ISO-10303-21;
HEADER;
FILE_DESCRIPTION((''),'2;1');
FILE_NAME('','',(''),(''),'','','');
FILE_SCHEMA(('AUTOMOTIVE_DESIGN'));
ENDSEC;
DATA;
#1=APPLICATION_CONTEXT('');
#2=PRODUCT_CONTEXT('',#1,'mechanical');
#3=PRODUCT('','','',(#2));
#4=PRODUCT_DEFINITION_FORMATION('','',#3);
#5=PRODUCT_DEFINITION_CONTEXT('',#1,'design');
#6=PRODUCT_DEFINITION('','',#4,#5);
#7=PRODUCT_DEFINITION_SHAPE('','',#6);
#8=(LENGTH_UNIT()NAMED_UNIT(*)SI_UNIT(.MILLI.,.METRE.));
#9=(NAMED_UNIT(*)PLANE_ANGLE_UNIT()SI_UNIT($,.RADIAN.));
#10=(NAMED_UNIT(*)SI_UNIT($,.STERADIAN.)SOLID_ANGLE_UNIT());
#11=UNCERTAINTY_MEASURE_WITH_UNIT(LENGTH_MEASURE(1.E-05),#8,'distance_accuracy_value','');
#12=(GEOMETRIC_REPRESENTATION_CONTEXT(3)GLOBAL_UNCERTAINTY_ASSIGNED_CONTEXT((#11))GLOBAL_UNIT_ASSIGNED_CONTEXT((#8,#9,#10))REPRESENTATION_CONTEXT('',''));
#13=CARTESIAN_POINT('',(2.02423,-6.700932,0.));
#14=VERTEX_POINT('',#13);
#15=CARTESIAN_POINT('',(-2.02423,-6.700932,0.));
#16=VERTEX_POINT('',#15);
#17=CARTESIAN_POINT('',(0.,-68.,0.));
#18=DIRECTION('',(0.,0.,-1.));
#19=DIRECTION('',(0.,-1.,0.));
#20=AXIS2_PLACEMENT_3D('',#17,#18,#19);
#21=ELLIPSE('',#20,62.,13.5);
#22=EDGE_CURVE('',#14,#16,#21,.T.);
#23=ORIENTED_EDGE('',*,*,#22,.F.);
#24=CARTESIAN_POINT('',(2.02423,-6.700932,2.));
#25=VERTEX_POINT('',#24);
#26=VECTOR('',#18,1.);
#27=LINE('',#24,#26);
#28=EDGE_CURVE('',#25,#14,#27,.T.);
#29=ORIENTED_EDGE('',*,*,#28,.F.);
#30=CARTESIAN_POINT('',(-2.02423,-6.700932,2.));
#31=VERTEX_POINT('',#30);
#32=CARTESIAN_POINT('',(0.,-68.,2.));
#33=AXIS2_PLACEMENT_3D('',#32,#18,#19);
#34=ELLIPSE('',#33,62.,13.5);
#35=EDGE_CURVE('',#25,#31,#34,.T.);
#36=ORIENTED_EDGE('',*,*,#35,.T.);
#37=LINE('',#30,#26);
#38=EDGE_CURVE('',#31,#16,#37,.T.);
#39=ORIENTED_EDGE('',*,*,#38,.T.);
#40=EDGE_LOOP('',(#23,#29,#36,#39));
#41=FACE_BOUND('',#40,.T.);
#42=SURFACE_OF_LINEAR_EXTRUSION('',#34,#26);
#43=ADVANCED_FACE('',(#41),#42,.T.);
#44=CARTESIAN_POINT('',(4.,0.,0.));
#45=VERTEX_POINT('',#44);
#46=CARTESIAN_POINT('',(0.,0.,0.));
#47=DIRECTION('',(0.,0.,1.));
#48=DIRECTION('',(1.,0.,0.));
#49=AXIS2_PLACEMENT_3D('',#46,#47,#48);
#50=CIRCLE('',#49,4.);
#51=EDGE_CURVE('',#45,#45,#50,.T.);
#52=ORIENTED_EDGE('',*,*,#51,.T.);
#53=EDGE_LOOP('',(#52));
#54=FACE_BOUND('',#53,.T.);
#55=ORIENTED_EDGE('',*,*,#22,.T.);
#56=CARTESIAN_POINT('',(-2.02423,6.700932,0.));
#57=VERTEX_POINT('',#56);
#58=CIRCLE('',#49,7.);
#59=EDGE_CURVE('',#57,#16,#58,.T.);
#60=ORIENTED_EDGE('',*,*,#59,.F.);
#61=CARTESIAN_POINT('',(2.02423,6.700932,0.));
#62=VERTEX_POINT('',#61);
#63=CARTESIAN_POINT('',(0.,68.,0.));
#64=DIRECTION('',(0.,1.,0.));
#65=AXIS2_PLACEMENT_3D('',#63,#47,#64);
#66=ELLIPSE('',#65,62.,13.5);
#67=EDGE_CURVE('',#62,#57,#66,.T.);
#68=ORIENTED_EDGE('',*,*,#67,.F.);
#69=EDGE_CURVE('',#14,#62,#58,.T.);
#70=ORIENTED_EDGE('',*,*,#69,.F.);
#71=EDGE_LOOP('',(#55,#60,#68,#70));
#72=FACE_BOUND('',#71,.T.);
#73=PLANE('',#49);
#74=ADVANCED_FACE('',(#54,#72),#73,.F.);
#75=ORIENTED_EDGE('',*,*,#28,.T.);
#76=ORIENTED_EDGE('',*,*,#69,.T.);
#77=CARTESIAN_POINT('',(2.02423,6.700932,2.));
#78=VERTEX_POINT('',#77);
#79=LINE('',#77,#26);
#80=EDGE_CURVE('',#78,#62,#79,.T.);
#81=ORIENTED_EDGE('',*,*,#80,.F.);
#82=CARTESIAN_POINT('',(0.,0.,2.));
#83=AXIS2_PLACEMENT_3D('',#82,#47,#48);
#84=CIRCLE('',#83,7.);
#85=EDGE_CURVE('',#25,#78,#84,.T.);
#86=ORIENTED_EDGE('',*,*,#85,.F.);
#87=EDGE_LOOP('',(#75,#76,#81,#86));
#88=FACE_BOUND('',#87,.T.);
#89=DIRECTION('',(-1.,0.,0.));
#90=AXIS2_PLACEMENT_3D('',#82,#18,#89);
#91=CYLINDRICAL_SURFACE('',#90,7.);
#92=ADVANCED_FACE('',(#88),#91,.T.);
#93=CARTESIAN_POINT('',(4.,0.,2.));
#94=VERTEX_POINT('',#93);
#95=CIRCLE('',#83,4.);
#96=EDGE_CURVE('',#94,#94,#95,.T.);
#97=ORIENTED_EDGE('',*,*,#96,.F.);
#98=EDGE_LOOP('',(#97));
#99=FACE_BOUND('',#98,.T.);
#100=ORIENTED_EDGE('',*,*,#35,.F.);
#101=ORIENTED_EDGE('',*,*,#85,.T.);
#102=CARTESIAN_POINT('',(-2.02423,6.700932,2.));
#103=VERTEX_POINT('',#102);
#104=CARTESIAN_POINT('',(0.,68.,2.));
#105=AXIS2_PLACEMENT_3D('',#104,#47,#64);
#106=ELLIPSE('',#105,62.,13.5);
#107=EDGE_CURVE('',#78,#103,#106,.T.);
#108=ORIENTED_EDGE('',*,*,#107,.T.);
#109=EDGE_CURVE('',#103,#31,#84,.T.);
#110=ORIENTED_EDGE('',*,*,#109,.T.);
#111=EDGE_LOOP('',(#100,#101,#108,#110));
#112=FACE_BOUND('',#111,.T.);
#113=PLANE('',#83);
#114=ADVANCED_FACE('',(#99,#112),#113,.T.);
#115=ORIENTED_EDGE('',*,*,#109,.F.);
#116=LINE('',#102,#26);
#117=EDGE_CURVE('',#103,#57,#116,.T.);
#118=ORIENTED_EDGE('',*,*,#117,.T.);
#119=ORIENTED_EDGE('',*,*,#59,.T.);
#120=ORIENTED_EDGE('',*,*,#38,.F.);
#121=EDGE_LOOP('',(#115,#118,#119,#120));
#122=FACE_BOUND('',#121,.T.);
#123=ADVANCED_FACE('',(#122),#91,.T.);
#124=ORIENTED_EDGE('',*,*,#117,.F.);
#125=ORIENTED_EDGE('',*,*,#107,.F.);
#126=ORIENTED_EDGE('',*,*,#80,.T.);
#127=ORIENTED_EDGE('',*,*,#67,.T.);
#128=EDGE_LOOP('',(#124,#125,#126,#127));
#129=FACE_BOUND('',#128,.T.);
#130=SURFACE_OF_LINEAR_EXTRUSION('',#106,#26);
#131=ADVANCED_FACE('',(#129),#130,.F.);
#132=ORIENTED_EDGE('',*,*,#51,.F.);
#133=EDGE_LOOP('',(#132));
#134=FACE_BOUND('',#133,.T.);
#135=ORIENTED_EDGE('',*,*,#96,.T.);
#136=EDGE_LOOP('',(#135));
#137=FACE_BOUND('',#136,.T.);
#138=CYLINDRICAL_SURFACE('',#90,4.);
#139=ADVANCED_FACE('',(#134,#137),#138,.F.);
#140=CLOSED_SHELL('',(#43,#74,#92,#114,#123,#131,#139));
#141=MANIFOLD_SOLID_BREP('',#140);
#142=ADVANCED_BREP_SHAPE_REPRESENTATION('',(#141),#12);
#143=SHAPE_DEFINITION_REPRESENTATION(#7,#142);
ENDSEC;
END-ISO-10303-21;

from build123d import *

# Parameters (mm, degrees)
SKETCH1_R           = 7
SKETCH1_R_2         = 4
SKETCH1_RX          = 62
SKETCH1_RY          = 13.5
BOSS_EXTRUDE3_DEPTH = 2


with BuildPart() as part:
    # Sketch1 → Boss-Extrude3 (new body)
    # profile 1 of 3: a face of its own
    with BuildSketch(Plane.XY):
        Circle(SKETCH1_R)
        Circle(SKETCH1_R_2, mode=Mode.SUBTRACT)
    # profile 2 of 3: a face of its own
    with BuildSketch(Plane.XY):
        with Locations(Location((0, 68), (0, 0, 90))):
            Ellipse(SKETCH1_RX, SKETCH1_RY)
    # profile 3 of 3: a face of its own
    with BuildSketch(Plane.XY):
        with Locations(Location((0, -68), (0, 0, -90))):
            Ellipse(SKETCH1_RX, SKETCH1_RY)
    extrude(amount=BOSS_EXTRUDE3_DEPTH)


solid = part.part
